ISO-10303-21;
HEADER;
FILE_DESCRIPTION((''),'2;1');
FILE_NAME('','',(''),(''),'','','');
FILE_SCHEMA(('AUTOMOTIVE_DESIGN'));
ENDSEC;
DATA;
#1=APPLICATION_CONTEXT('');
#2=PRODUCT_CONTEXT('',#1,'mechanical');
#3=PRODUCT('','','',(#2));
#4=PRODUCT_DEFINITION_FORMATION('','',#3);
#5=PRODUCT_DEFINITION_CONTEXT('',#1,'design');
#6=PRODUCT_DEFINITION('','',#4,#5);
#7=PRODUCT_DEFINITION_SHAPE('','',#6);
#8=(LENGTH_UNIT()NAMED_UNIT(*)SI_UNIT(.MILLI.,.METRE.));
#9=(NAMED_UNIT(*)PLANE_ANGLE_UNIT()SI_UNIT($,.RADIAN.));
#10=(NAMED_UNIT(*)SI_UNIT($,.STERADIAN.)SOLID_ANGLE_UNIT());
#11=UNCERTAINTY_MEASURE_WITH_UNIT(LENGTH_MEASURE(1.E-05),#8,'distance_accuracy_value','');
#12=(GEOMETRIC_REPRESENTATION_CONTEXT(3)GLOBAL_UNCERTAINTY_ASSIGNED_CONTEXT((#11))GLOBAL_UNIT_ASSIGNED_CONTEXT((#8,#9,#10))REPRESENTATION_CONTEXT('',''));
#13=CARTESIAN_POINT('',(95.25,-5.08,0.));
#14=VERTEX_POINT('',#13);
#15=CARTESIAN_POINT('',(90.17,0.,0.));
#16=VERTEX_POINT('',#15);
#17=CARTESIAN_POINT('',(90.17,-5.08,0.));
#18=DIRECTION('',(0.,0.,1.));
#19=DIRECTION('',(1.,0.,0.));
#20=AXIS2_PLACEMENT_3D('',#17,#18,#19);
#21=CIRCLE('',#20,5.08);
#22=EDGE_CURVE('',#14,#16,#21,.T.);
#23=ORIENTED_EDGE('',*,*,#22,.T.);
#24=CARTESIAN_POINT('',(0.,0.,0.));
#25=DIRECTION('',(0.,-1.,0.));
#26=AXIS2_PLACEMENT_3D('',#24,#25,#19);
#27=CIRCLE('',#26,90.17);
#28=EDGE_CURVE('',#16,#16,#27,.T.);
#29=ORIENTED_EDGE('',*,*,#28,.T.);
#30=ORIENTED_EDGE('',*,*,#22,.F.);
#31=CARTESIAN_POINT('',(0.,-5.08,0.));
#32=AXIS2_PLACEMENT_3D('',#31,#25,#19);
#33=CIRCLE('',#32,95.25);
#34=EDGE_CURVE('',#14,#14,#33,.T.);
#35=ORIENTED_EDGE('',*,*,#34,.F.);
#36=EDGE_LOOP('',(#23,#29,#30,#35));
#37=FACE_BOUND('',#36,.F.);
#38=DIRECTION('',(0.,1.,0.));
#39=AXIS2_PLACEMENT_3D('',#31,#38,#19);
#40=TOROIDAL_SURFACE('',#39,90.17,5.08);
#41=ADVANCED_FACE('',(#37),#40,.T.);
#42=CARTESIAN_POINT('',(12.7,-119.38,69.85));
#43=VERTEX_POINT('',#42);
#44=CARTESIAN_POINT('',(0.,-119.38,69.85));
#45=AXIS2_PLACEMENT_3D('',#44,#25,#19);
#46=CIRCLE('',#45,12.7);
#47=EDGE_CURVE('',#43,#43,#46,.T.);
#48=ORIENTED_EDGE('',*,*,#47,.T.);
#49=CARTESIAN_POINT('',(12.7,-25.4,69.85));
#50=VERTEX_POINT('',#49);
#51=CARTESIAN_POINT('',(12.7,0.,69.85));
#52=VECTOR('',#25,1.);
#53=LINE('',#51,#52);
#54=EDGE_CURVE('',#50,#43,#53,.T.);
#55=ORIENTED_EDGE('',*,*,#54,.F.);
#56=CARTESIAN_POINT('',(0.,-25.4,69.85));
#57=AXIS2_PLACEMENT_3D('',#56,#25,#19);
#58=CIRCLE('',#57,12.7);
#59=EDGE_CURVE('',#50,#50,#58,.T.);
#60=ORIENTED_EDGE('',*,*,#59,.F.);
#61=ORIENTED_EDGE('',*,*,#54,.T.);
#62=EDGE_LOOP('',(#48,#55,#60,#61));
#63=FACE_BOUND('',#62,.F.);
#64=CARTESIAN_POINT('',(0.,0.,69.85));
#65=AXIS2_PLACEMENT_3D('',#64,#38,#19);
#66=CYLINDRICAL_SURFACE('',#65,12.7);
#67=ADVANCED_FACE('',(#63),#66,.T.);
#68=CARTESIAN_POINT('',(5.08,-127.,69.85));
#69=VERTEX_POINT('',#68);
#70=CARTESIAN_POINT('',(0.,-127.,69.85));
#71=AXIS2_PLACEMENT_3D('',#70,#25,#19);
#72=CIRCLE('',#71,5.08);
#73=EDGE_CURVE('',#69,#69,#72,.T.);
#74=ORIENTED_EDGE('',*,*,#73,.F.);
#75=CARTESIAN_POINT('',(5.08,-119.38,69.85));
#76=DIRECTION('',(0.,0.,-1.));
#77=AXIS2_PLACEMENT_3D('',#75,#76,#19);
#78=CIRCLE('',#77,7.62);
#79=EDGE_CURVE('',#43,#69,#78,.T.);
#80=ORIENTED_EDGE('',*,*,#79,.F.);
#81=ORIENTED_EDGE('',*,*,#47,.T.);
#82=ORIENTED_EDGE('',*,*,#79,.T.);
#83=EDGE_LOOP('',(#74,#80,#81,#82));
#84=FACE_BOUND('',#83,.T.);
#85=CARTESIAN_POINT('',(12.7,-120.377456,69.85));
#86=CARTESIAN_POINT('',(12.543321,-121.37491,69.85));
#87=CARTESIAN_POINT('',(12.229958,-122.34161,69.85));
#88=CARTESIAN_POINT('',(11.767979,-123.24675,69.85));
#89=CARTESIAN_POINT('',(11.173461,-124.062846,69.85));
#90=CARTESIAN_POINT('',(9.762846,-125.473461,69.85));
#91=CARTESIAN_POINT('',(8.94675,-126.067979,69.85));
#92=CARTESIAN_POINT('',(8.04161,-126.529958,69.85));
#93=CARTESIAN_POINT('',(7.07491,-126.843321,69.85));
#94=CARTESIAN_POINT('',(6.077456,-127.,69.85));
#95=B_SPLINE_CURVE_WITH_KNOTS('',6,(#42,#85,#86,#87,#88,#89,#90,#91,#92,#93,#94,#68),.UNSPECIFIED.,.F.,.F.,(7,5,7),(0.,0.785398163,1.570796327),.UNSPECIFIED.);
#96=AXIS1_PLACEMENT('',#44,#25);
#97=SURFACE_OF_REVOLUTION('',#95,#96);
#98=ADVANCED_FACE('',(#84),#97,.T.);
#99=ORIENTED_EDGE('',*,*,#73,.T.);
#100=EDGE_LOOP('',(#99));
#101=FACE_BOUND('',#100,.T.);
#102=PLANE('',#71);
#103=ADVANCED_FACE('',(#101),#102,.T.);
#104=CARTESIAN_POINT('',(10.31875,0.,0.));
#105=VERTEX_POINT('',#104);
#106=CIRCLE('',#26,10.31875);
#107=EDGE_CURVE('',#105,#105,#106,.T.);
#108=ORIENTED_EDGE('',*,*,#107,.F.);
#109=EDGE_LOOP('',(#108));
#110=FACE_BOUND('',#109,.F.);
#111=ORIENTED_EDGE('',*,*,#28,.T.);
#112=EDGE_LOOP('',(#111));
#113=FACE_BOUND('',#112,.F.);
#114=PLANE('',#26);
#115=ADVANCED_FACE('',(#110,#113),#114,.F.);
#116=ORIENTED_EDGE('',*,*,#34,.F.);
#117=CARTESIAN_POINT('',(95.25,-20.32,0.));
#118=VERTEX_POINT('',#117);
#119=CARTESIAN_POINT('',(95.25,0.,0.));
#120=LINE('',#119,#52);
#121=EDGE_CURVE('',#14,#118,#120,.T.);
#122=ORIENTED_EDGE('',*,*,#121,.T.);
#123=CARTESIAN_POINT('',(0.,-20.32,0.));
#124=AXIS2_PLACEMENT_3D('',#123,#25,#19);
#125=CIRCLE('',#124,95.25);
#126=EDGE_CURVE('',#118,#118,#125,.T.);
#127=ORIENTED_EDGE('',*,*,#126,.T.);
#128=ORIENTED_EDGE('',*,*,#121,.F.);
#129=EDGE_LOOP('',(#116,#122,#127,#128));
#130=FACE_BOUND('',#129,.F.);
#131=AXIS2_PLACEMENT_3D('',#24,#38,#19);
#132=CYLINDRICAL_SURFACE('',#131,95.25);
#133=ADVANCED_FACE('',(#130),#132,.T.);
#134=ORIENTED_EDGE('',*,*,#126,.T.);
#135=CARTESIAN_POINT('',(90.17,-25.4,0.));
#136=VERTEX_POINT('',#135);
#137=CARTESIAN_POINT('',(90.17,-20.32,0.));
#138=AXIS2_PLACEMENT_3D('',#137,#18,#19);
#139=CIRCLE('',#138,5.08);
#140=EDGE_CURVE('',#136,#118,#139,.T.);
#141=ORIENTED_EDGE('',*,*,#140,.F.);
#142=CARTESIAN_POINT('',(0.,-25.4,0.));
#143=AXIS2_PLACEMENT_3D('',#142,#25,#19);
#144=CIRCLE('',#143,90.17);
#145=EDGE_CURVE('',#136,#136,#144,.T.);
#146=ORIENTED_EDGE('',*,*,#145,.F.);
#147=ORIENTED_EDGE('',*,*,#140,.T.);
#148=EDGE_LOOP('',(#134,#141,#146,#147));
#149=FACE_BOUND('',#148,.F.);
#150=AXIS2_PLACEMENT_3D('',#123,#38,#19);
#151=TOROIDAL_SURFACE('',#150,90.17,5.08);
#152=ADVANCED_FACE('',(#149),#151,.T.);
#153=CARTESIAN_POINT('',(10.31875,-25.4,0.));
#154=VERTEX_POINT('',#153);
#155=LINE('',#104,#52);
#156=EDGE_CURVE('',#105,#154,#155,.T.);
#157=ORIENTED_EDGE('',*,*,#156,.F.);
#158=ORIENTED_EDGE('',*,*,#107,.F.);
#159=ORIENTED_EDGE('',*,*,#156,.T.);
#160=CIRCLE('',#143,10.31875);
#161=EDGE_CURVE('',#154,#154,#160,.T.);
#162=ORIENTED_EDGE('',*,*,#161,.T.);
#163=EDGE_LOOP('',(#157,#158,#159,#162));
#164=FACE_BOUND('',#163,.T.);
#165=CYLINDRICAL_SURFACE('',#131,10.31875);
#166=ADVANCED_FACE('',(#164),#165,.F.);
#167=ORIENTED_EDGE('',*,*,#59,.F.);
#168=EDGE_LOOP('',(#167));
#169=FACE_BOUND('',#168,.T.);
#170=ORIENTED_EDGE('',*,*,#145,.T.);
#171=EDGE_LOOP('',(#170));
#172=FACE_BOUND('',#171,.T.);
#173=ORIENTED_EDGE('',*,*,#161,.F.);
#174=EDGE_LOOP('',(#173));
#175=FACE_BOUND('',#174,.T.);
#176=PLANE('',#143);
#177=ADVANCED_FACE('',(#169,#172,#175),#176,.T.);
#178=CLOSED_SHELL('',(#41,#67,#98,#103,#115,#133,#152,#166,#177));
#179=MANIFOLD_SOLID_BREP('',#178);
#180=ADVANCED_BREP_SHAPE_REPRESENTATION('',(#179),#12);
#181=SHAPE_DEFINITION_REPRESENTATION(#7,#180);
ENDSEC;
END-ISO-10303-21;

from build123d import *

# Parameters (mm, degrees)
F0_R     = 95.25
F0_R_2   = 10.31875
F0_R_3   = 12.7
F1_DEPTH = 25.4
F2_DEPTH = 127
F3_R     = 5.08
F4_R     = 7.62


with BuildPart() as f1:
    # F0 (on Front) → F1 (new body)
    with BuildSketch(Plane.XZ):
        Circle(F0_R)
        Circle(F0_R_2, mode=Mode.SUBTRACT)
        with Locations((0, 69.85)):
            Circle(F0_R_3, mode=Mode.SUBTRACT)
    extrude(amount=F1_DEPTH)

    # F0 (on Front) → F2 (join)
    with BuildSketch(Plane.XZ):
        with Locations((0, 69.85)):
            Circle(F0_R_3)
    extrude(amount=F2_DEPTH)

    # F3
    f3_edges = [f1.edges().sort_by_distance(p)[0] for p in [
        (-95.25, -25.4, 0),
        (-95.25, 0, 0),
    ]]
    fillet(f3_edges, radius=F3_R)

    # F4
    f4_edges = [f1.edges().sort_by_distance(p)[0] for p in [
        (-12.7, -127, 69.85),
    ]]
    fillet(f4_edges, radius=F4_R)


solid = f1.part
